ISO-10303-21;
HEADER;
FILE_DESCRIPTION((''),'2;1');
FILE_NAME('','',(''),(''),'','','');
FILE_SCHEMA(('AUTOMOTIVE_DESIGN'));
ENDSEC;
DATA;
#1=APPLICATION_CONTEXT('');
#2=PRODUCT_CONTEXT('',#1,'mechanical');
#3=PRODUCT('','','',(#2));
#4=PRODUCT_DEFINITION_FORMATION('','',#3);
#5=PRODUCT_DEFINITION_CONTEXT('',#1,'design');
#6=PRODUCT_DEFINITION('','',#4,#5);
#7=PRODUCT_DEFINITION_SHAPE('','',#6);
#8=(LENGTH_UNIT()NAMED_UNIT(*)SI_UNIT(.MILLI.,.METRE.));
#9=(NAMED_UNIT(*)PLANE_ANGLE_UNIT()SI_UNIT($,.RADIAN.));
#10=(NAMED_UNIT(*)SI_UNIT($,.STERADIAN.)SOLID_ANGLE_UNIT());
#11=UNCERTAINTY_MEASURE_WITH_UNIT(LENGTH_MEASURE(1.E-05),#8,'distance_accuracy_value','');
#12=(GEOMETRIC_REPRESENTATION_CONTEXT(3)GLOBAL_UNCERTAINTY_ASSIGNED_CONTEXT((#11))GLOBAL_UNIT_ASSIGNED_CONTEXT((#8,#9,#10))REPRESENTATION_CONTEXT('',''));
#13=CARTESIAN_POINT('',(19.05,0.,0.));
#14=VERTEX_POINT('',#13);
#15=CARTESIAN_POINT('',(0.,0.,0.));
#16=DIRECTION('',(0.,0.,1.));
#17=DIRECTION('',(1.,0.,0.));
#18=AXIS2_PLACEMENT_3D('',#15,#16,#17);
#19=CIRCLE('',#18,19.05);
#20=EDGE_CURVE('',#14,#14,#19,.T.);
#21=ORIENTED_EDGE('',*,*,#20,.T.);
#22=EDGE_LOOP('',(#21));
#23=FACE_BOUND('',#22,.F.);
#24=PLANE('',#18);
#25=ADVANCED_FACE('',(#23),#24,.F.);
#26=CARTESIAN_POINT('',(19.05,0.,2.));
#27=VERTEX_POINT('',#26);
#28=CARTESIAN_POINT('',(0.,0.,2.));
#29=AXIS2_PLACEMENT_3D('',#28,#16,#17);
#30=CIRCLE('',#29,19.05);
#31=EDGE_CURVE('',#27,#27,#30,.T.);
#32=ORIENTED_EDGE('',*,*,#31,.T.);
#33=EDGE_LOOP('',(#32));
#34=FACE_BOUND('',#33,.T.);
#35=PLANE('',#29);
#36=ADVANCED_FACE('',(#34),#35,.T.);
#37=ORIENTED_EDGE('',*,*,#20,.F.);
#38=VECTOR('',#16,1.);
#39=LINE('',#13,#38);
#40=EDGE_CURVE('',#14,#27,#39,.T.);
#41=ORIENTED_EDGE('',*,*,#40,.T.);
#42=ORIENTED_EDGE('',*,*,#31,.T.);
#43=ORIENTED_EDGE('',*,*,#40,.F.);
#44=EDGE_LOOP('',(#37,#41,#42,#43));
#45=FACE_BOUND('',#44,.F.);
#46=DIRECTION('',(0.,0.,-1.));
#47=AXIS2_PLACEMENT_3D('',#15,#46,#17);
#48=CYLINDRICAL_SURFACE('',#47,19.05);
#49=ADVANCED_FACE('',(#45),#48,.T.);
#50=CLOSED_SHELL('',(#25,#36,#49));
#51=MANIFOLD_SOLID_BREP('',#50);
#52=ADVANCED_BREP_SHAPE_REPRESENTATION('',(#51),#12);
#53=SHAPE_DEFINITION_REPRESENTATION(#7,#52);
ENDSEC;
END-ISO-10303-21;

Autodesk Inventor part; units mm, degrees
ref_plane "YZ Plane" through (0, 0, 0) normal (1, 0, 0) x (0, 1, 0)
ref_plane "XZ Plane" through (0, 0, 0) normal (0, 1, 0) x (-1, 0, 0)
ref_plane "XY Plane" through (0, 0, 0) normal (0, 0, 1) x (1, 0, 0)
sketch "Skizze3" plane through (0, 0, 0) normal (0, 0, 1) x (1, 0, 0)
  circle A0 centre (0, 0) radius 19.05
  dimension "d6" = 38.1
extrude "Extrusion3" add sketch "Skizze3" along normal blind 2
properties part number "Fenster Beam" material "Glas"
